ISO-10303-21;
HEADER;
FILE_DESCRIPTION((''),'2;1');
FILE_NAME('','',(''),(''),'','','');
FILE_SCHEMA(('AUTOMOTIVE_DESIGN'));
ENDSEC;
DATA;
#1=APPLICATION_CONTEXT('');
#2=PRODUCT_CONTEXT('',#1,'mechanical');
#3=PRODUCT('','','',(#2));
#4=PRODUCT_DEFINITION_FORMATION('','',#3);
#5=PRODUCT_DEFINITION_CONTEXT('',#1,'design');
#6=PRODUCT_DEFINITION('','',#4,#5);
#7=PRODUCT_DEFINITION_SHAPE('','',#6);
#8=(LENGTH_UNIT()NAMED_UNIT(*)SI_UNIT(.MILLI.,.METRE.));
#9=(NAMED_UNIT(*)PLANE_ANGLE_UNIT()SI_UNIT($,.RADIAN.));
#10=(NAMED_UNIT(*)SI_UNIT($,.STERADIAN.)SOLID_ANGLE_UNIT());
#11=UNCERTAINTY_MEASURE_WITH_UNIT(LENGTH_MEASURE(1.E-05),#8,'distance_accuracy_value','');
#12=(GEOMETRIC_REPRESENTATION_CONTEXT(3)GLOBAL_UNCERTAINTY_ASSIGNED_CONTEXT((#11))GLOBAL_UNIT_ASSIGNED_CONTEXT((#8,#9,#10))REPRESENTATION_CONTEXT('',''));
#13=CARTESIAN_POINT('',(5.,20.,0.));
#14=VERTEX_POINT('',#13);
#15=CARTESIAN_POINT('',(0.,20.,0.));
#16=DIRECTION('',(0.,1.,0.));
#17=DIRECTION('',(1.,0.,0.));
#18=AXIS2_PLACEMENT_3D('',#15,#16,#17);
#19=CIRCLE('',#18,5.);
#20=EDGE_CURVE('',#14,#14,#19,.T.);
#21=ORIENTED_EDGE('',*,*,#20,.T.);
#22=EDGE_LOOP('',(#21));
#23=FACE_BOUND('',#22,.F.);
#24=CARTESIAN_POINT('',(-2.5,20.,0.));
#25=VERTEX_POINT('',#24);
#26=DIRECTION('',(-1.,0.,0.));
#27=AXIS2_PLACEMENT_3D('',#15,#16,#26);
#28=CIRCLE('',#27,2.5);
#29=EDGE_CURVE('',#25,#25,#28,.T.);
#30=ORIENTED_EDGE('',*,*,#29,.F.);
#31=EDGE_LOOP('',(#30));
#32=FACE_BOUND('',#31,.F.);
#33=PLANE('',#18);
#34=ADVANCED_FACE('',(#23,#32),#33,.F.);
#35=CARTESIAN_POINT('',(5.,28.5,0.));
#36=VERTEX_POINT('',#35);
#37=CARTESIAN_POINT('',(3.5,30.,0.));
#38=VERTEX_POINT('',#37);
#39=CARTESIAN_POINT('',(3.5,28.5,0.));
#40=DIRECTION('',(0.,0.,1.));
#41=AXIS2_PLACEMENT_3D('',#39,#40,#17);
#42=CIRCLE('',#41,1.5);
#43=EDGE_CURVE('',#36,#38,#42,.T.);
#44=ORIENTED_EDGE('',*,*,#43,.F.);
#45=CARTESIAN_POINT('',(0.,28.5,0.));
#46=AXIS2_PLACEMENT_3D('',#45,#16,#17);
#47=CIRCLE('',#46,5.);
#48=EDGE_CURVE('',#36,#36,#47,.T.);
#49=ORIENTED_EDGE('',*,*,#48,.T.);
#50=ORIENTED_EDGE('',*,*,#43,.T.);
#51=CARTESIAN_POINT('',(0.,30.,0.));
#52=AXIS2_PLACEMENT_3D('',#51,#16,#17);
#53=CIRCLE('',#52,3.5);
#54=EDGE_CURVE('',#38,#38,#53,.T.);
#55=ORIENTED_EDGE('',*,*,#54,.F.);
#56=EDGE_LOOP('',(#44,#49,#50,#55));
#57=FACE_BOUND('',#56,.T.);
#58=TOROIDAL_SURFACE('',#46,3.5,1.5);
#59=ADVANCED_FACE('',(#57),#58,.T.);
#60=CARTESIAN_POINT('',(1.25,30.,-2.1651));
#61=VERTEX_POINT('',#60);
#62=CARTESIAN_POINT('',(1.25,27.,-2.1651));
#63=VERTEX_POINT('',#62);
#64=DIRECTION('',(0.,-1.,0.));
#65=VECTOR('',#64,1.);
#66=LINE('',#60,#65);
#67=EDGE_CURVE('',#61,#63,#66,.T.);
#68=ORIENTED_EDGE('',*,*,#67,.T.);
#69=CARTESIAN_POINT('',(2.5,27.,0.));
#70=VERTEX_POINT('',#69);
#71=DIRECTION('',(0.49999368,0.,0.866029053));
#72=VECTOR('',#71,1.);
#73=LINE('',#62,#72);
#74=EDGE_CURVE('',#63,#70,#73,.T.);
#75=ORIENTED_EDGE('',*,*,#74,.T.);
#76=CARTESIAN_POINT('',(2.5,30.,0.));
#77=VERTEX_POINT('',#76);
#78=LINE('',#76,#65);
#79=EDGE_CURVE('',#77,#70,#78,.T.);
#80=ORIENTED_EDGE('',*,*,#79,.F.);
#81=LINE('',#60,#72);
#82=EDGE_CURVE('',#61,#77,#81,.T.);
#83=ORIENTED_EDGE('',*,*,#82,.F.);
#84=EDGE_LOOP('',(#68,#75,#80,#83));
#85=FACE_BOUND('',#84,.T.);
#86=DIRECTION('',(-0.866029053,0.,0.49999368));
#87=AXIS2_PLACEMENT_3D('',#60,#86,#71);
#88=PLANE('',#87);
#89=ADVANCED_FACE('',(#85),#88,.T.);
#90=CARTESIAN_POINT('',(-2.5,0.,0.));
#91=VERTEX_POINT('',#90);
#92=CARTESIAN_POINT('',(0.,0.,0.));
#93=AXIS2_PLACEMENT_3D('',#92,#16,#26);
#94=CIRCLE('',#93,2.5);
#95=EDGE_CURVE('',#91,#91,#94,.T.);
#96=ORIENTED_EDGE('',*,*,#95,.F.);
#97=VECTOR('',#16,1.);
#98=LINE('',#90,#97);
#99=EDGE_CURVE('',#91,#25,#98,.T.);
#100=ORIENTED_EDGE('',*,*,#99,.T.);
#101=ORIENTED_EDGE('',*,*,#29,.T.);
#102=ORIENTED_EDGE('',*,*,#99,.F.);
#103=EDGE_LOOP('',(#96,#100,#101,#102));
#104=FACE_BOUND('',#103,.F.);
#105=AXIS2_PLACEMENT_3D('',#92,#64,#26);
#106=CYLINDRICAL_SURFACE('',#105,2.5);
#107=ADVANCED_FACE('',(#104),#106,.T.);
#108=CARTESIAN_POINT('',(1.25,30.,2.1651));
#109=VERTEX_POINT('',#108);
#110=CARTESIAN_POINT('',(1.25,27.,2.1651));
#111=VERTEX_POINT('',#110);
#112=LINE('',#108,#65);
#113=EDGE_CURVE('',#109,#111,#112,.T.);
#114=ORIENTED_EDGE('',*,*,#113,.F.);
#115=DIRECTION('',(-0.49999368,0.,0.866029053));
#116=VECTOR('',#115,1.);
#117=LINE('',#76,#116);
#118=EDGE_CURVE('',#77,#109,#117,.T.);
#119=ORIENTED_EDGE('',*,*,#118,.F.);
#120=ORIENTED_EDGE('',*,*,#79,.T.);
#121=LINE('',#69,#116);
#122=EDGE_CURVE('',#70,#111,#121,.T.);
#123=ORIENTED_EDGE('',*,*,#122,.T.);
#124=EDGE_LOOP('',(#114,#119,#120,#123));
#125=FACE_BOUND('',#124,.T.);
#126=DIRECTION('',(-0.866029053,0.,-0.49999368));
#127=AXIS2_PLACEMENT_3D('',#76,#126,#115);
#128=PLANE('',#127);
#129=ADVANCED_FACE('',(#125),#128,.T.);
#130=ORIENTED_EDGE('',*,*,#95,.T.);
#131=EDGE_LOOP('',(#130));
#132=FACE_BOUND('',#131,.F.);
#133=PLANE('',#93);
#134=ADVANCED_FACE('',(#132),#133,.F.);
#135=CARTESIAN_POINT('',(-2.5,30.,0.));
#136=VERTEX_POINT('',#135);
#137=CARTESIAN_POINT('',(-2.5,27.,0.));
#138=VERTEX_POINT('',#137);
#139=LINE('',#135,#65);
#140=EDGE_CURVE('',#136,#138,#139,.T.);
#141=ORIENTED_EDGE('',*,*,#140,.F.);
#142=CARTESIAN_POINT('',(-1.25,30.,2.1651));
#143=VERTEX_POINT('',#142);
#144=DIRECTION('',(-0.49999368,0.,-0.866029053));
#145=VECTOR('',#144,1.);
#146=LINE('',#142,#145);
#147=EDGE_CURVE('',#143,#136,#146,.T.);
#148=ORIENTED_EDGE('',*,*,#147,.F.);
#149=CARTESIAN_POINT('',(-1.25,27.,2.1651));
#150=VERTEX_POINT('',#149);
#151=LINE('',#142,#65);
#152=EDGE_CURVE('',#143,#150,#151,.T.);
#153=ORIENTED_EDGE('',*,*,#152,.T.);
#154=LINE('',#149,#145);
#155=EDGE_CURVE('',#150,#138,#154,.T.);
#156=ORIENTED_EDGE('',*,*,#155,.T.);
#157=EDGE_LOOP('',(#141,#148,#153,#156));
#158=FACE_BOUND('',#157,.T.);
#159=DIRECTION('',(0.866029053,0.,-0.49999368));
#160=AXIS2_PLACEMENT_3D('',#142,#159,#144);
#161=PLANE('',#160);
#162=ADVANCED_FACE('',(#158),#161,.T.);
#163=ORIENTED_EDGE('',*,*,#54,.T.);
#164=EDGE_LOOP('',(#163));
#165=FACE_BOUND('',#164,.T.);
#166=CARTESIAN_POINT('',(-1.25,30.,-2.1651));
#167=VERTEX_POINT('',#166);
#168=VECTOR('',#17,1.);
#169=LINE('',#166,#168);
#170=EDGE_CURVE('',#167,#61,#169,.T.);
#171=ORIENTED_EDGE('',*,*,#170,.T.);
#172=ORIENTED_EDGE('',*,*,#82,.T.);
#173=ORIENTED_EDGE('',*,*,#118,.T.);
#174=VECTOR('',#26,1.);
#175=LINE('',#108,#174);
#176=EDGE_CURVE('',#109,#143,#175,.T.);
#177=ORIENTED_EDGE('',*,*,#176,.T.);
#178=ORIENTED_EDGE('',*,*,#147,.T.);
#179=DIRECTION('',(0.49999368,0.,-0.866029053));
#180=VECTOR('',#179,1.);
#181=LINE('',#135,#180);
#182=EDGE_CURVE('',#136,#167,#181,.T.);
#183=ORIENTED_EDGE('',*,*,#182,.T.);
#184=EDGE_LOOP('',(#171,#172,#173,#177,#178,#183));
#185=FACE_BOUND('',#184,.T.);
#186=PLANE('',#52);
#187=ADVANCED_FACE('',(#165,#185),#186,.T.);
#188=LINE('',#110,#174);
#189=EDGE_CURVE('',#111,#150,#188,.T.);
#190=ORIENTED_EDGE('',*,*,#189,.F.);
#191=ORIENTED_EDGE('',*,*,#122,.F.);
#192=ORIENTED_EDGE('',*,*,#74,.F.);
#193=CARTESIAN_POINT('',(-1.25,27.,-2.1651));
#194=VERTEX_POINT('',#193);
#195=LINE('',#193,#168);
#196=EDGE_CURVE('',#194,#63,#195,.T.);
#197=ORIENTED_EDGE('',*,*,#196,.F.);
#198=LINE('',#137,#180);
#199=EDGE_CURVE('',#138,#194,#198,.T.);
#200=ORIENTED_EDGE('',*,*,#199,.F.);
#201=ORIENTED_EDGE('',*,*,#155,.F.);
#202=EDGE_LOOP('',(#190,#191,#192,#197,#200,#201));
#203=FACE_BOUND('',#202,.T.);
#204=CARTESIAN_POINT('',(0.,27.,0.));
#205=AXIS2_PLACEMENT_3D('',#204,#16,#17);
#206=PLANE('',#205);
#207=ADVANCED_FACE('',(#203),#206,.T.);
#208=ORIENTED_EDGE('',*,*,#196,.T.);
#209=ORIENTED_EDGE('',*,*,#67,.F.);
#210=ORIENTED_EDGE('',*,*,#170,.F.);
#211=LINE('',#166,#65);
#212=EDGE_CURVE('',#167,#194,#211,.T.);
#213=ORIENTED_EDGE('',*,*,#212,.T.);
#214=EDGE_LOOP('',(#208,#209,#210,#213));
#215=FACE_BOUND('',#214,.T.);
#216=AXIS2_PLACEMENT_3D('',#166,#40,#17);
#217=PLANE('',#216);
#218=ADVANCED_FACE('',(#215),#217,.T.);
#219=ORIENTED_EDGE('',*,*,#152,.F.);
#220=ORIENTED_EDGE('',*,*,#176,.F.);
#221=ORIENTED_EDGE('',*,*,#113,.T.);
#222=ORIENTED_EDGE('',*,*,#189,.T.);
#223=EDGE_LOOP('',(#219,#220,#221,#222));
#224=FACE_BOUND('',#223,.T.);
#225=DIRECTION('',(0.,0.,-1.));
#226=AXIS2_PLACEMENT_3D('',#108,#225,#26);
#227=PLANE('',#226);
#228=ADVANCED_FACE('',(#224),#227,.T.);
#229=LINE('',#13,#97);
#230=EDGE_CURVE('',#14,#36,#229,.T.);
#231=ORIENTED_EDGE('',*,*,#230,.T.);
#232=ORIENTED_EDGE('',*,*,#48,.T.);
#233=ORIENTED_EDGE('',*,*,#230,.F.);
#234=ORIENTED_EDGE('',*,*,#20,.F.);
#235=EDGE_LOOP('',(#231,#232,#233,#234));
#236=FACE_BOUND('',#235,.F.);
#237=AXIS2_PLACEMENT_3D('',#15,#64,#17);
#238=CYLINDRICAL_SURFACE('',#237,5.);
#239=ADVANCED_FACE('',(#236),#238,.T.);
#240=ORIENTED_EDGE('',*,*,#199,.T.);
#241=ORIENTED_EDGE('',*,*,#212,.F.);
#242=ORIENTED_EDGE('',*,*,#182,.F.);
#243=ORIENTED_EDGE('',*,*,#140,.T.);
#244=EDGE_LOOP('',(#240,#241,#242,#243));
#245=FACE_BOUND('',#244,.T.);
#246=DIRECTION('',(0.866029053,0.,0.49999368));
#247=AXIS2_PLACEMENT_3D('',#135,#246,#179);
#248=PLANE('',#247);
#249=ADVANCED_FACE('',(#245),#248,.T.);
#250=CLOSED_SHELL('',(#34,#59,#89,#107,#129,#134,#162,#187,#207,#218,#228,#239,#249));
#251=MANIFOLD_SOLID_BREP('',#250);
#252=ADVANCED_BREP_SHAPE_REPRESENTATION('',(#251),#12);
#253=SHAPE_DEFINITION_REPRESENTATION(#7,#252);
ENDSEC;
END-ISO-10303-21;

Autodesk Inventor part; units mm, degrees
ref_plane "YZ Plane" through (0, 0, 0) normal (1, 0, 0) x (0, 1, 0)
ref_plane "XZ Plane" through (0, 0, 0) normal (0, 1, 0) x (-1, 0, 0)
ref_plane "XY Plane" through (0, 0, 0) normal (0, 0, 1) x (1, 0, 0)
sketch "Sketch1" plane through (0, 0, 0) normal (0, 1, 0) x (-1, 0, 0)
  circle A0 centre (0, 0) radius 2.5
  dimension "d0" = 5
extrude "Extrusion1" add sketch "Sketch1" along normal blind 20
sketch "Sketch2" plane through (0, 20, 0) normal (0, 1, 0) x (1, 0, 0)
  circle A0 centre (0, 0) radius 5
extrude "Extrusion2" add sketch "Sketch2" along normal blind 10
sketch "Sketch3" plane through (0, 30, 0) normal (0, 1, 0) x (1, 0, 0)
  circle A0 centre (0, 0) radius 2.5 projected
  line L0 (2.5, 0) -> (1.25, -2.1651)
  line L1 (1.25, -2.1651) -> (-1.25, -2.1651)
  line L2 (-1.25, -2.1651) -> (-2.5, 0)
  line L3 (-2.5, 0) -> (-1.25, 2.1651)
  line L4 (-1.25, 2.1651) -> (1.25, 2.1651)
  line L5 (1.25, 2.1651) -> (2.5, 0)
fillet "Fillet1" radius 1.5 1 edges at (-5, 30, 0)
extrude "Extrusion3" cut sketch "Sketch3" against normal blind 3 contours L0 L1 L2 L3 L4 L5
properties part number "35mm_bolt"
